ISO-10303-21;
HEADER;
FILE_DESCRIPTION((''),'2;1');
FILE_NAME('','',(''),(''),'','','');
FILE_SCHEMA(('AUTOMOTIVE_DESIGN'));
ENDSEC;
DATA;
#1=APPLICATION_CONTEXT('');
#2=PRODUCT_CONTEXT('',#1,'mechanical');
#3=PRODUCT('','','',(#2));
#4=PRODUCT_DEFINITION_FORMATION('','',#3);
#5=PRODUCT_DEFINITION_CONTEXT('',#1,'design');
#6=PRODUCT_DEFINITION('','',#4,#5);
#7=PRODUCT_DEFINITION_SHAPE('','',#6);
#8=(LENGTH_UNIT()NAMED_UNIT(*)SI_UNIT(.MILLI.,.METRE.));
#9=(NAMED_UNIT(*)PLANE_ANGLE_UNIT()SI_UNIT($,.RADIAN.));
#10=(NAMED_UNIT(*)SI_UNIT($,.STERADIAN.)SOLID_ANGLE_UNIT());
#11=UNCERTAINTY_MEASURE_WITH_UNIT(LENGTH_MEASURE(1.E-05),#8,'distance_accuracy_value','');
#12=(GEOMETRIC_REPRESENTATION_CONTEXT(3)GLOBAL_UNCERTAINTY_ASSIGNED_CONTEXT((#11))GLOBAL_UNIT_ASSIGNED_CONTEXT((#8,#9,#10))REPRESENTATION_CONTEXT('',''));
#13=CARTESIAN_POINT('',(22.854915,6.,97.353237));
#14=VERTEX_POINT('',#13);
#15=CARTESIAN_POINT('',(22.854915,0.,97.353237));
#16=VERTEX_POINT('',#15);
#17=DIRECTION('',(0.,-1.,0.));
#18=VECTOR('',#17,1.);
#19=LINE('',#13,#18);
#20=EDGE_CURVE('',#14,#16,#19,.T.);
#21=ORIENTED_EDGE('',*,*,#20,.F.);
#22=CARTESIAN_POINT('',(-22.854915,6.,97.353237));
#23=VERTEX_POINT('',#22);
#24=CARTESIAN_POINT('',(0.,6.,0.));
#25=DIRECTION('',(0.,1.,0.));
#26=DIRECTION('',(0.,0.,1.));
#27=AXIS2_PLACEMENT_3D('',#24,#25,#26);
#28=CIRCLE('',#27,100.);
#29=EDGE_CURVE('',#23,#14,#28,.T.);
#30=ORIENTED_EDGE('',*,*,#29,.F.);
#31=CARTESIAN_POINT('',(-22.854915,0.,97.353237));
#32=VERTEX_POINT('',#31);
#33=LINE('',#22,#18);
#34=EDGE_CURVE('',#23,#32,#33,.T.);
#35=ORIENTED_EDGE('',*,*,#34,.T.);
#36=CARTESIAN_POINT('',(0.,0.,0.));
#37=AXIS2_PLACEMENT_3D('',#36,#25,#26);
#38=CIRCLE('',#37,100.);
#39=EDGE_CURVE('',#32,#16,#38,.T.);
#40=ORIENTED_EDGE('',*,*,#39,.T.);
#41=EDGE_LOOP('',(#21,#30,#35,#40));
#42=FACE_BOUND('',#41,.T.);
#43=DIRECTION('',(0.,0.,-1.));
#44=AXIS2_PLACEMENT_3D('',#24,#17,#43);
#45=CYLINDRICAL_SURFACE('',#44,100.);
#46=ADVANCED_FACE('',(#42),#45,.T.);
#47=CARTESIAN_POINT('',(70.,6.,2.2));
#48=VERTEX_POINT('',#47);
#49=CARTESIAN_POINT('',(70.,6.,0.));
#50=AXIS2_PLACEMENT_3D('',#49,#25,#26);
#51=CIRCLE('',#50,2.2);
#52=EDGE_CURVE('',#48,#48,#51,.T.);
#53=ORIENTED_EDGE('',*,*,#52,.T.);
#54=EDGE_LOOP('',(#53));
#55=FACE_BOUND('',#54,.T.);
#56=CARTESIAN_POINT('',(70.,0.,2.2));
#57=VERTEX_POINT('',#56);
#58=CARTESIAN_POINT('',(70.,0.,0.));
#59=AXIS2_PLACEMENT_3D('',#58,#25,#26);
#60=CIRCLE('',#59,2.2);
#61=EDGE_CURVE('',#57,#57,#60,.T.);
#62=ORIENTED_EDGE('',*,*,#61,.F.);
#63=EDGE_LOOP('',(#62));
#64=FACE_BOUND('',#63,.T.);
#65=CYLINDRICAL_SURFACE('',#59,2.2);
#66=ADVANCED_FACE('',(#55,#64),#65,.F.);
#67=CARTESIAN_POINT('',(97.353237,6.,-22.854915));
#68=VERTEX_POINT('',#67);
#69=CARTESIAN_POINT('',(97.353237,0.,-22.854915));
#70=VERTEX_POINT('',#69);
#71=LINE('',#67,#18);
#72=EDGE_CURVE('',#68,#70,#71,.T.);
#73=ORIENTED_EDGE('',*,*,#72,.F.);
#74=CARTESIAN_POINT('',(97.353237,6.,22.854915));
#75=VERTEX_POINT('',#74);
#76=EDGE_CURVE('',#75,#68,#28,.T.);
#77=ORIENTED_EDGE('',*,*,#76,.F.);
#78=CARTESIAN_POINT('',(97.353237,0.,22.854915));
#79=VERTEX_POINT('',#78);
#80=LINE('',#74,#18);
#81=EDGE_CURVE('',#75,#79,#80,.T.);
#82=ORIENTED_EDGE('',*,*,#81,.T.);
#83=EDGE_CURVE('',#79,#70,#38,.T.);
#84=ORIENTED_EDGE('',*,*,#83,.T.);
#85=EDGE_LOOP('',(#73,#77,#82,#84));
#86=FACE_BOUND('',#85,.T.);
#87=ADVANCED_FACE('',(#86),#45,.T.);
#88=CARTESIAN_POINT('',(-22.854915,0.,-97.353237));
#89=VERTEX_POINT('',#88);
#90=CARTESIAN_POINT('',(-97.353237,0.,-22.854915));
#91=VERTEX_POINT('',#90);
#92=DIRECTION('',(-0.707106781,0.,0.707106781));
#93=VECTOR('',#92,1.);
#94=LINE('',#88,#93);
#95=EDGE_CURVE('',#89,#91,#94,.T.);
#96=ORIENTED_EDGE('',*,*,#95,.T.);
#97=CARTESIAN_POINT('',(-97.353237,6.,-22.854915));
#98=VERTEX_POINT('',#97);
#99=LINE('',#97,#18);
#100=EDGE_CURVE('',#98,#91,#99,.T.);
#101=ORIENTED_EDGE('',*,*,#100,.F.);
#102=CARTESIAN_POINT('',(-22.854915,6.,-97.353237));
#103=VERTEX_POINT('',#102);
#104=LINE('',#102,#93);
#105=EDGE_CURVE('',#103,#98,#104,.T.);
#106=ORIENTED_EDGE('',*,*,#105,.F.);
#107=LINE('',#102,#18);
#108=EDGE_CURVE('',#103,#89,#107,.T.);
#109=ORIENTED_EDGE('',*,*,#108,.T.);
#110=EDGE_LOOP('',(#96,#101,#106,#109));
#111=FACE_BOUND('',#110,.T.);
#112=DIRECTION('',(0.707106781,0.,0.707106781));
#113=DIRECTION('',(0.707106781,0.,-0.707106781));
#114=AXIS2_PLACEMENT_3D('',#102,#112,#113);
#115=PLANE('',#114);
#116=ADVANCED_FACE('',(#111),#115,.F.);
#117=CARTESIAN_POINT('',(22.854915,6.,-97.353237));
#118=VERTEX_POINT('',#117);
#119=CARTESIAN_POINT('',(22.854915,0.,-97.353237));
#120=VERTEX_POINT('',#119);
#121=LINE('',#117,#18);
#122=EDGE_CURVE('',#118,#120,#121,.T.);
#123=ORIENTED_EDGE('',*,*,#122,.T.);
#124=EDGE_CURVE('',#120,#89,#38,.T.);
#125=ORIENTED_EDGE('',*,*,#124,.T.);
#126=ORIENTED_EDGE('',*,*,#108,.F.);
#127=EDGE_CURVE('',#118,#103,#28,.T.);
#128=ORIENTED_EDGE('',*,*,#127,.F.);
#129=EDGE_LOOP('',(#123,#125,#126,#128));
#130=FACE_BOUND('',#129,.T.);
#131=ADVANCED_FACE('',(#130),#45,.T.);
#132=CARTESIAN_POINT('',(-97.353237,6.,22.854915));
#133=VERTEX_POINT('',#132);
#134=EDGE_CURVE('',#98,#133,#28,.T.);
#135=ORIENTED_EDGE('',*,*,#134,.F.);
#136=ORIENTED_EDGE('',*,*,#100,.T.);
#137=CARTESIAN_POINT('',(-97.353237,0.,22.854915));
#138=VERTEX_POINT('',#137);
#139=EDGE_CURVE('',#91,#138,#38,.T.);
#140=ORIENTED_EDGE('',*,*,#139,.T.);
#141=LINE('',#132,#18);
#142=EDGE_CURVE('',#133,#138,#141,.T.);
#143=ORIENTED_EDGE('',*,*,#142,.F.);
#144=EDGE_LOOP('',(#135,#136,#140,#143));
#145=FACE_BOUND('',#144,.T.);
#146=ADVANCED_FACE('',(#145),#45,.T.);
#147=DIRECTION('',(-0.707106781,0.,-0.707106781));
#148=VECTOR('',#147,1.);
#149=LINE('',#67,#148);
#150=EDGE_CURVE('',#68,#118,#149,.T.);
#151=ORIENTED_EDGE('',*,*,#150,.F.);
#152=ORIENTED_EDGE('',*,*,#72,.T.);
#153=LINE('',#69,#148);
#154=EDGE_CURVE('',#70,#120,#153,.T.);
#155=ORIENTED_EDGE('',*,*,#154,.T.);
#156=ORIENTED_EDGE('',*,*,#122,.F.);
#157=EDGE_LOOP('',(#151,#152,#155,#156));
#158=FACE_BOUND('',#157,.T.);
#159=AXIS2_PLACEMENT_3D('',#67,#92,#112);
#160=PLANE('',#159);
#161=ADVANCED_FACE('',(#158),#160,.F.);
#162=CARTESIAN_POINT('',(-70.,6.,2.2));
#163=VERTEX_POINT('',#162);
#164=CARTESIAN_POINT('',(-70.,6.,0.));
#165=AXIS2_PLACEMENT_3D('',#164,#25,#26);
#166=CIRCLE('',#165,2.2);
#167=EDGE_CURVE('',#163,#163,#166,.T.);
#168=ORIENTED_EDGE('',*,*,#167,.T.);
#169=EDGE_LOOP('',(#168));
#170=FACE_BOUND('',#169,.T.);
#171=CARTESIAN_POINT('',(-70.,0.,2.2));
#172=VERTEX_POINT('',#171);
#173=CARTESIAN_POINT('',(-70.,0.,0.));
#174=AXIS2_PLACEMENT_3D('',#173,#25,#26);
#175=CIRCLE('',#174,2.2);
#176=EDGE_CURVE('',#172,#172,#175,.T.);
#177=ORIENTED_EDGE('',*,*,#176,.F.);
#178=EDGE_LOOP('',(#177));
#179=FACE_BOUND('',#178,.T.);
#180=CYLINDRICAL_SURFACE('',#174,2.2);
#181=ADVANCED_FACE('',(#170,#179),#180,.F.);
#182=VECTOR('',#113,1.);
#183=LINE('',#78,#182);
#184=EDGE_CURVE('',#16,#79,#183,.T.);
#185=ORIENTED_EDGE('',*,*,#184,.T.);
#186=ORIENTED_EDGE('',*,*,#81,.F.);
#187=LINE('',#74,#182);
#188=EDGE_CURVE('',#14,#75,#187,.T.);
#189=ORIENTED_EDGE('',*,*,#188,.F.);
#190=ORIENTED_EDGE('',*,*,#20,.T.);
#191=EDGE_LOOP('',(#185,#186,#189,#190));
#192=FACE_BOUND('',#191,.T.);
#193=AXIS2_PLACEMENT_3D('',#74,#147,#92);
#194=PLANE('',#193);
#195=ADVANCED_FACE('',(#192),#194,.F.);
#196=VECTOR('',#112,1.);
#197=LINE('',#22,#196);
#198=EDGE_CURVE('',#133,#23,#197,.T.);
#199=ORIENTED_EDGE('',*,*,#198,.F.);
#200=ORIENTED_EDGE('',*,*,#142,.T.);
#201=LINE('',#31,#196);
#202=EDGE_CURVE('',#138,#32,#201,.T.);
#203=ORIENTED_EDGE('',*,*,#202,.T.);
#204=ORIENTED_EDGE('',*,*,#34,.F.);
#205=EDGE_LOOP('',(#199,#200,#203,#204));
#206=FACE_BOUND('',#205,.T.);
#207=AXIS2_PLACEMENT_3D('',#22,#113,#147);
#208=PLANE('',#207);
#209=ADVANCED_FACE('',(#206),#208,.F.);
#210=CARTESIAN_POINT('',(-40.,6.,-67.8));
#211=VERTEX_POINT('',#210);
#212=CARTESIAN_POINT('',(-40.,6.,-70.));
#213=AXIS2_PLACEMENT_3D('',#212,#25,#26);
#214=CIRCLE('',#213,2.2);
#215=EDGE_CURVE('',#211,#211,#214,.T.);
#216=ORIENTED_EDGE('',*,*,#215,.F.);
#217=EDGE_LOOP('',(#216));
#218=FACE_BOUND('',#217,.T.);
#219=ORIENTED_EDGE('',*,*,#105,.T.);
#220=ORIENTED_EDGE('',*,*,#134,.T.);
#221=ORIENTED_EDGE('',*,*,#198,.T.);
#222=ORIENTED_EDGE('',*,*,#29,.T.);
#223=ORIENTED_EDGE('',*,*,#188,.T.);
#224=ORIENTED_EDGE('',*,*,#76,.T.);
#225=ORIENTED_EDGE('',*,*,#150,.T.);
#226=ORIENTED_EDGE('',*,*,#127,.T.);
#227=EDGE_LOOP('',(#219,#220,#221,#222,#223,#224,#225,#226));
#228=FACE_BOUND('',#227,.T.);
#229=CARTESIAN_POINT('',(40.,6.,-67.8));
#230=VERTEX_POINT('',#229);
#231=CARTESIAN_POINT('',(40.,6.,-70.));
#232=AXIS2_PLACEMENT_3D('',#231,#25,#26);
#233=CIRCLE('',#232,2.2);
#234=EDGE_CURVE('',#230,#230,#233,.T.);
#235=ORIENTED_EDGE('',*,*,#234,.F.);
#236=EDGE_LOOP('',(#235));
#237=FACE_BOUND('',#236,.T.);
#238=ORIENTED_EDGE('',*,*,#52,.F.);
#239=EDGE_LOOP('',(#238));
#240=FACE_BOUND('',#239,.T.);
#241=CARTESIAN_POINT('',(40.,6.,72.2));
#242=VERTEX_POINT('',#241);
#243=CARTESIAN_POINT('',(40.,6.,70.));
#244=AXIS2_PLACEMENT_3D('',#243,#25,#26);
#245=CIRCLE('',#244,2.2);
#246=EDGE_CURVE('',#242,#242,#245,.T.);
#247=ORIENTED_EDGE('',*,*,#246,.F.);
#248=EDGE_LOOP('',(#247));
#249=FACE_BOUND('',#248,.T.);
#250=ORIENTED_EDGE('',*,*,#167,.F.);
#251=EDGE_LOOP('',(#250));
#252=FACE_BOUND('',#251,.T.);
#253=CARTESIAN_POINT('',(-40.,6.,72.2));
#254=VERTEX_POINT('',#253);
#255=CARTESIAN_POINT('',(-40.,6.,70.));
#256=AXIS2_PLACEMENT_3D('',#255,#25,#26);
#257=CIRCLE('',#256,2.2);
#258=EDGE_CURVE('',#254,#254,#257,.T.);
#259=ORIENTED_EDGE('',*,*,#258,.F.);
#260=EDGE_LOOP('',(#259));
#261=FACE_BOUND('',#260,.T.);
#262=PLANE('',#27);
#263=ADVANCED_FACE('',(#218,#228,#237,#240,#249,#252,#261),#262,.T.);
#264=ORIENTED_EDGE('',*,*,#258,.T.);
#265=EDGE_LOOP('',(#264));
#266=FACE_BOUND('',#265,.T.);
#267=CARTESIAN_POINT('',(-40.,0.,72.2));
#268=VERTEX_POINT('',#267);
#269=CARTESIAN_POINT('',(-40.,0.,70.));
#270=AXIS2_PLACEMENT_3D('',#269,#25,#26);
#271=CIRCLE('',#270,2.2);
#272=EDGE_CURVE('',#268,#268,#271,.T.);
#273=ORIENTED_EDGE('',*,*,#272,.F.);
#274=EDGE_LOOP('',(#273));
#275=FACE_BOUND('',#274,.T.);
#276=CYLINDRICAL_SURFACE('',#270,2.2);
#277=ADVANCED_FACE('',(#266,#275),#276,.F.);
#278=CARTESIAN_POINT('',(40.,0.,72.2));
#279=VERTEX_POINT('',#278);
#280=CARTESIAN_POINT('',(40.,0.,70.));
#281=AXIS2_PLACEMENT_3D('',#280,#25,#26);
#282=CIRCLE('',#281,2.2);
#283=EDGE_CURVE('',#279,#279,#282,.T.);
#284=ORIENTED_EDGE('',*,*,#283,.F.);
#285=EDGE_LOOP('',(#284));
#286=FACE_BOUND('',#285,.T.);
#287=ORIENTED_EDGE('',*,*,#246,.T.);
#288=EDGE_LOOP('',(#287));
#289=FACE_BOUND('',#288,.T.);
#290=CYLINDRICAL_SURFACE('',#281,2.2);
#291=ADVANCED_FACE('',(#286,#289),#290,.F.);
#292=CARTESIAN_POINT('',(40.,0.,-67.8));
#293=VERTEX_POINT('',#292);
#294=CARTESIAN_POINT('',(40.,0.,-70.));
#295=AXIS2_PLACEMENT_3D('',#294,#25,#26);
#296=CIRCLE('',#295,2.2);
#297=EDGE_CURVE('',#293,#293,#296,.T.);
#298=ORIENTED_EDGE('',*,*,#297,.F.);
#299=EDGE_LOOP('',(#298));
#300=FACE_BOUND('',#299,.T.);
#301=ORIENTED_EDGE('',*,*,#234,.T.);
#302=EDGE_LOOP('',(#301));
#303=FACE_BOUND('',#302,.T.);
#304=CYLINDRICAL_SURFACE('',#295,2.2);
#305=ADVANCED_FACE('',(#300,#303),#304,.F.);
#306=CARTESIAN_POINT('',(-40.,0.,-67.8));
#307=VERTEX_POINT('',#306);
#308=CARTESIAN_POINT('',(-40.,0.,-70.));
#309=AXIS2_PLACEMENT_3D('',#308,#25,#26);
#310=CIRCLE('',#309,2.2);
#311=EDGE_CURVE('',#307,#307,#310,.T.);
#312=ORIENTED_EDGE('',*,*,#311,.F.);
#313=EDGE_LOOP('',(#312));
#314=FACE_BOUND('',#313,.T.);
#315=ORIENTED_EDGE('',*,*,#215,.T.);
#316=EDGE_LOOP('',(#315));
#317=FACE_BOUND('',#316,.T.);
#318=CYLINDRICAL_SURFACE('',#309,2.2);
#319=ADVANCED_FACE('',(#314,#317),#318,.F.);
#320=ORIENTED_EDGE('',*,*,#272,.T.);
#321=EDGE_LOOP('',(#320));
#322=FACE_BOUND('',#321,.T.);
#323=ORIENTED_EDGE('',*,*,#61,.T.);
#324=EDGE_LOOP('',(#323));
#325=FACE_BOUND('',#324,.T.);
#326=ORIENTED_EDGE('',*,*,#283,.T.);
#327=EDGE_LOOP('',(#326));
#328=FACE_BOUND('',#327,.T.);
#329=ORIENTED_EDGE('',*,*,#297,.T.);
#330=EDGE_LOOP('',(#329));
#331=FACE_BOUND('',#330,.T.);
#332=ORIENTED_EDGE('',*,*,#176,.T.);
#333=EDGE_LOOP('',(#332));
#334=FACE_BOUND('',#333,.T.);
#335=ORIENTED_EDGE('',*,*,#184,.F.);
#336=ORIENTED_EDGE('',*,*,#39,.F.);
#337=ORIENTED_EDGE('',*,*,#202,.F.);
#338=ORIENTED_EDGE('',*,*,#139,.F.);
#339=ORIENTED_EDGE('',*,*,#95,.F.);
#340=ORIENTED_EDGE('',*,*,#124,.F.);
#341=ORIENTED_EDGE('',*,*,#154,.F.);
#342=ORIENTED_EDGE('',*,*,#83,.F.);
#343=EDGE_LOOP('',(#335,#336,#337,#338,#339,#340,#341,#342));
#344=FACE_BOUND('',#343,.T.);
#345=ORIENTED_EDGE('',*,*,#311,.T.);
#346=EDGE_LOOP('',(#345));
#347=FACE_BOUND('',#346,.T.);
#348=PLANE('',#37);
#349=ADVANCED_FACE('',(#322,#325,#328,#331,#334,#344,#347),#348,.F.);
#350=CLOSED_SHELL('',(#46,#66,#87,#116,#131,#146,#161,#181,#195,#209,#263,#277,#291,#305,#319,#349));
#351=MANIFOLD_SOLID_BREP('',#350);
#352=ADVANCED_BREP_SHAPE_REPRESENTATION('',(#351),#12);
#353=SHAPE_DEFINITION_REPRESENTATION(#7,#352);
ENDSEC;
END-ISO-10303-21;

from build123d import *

# Parameters (mm, degrees)
BOSS_EXTRUDE1_DEPTH = 6
SKETCH2_R           = 2.2
CUT_EXTRUDE1_DEPTH  = 142.548578234


with BuildPart() as part:
    # Sketch1 → Boss-Extrude1 (new body)
    with BuildSketch(Plane(origin=(0, 0, 0), x_dir=(1, 0, 0), z_dir=(0, 1, 0))):
        with BuildLine():
            Line((97.353237465, -22.854915336), (22.854915336, -97.353237465))
            ThreePointArc((22.854915336, -97.353237465), (0, -100), (-22.854915336, -97.353237465))
            Line((-22.854915336, -97.353237465), (-97.353237465, -22.854915336))
            ThreePointArc((-97.353237465, -22.854915336), (-100, 0), (-97.353237465, 22.854915336))
            Line((-97.353237465, 22.854915336), (-22.854915336, 97.353237465))
            ThreePointArc((-22.854915336, 97.353237465), (0, 100), (22.854915336, 97.353237465))
            Line((22.854915336, 97.353237465), (97.353237465, 22.854915336))
            ThreePointArc((97.353237465, 22.854915336), (100, 0), (97.353237465, -22.854915336))
        make_face()
    extrude(amount=BOSS_EXTRUDE1_DEPTH)

    # Sketch2 → Cut-Extrude1 (cut, through all)
    with BuildSketch(Plane(origin=(0, 6, 0), x_dir=(1, 0, 0), z_dir=(0, 1, 0))):
        with Locations(Location((-40, -70, 0), (0, 0, 270))):
            Circle(SKETCH2_R)
        with Locations(Location((40, -70, 0), (0, 0, 270))):
            Circle(SKETCH2_R)
        with Locations(Location((40, 70, 0), (0, 0, 270))):
            Circle(SKETCH2_R)
        with Locations(Location((-40, 70, 0), (0, 0, 270))):
            Circle(SKETCH2_R)
        with Locations(Location((-70, 0, 0), (0, 0, 270))):
            Circle(SKETCH2_R)
        with Locations(Location((70, 0, 0), (0, 0, 270))):
            Circle(SKETCH2_R)
    extrude(amount=-CUT_EXTRUDE1_DEPTH, mode=Mode.SUBTRACT)


solid = part.part
